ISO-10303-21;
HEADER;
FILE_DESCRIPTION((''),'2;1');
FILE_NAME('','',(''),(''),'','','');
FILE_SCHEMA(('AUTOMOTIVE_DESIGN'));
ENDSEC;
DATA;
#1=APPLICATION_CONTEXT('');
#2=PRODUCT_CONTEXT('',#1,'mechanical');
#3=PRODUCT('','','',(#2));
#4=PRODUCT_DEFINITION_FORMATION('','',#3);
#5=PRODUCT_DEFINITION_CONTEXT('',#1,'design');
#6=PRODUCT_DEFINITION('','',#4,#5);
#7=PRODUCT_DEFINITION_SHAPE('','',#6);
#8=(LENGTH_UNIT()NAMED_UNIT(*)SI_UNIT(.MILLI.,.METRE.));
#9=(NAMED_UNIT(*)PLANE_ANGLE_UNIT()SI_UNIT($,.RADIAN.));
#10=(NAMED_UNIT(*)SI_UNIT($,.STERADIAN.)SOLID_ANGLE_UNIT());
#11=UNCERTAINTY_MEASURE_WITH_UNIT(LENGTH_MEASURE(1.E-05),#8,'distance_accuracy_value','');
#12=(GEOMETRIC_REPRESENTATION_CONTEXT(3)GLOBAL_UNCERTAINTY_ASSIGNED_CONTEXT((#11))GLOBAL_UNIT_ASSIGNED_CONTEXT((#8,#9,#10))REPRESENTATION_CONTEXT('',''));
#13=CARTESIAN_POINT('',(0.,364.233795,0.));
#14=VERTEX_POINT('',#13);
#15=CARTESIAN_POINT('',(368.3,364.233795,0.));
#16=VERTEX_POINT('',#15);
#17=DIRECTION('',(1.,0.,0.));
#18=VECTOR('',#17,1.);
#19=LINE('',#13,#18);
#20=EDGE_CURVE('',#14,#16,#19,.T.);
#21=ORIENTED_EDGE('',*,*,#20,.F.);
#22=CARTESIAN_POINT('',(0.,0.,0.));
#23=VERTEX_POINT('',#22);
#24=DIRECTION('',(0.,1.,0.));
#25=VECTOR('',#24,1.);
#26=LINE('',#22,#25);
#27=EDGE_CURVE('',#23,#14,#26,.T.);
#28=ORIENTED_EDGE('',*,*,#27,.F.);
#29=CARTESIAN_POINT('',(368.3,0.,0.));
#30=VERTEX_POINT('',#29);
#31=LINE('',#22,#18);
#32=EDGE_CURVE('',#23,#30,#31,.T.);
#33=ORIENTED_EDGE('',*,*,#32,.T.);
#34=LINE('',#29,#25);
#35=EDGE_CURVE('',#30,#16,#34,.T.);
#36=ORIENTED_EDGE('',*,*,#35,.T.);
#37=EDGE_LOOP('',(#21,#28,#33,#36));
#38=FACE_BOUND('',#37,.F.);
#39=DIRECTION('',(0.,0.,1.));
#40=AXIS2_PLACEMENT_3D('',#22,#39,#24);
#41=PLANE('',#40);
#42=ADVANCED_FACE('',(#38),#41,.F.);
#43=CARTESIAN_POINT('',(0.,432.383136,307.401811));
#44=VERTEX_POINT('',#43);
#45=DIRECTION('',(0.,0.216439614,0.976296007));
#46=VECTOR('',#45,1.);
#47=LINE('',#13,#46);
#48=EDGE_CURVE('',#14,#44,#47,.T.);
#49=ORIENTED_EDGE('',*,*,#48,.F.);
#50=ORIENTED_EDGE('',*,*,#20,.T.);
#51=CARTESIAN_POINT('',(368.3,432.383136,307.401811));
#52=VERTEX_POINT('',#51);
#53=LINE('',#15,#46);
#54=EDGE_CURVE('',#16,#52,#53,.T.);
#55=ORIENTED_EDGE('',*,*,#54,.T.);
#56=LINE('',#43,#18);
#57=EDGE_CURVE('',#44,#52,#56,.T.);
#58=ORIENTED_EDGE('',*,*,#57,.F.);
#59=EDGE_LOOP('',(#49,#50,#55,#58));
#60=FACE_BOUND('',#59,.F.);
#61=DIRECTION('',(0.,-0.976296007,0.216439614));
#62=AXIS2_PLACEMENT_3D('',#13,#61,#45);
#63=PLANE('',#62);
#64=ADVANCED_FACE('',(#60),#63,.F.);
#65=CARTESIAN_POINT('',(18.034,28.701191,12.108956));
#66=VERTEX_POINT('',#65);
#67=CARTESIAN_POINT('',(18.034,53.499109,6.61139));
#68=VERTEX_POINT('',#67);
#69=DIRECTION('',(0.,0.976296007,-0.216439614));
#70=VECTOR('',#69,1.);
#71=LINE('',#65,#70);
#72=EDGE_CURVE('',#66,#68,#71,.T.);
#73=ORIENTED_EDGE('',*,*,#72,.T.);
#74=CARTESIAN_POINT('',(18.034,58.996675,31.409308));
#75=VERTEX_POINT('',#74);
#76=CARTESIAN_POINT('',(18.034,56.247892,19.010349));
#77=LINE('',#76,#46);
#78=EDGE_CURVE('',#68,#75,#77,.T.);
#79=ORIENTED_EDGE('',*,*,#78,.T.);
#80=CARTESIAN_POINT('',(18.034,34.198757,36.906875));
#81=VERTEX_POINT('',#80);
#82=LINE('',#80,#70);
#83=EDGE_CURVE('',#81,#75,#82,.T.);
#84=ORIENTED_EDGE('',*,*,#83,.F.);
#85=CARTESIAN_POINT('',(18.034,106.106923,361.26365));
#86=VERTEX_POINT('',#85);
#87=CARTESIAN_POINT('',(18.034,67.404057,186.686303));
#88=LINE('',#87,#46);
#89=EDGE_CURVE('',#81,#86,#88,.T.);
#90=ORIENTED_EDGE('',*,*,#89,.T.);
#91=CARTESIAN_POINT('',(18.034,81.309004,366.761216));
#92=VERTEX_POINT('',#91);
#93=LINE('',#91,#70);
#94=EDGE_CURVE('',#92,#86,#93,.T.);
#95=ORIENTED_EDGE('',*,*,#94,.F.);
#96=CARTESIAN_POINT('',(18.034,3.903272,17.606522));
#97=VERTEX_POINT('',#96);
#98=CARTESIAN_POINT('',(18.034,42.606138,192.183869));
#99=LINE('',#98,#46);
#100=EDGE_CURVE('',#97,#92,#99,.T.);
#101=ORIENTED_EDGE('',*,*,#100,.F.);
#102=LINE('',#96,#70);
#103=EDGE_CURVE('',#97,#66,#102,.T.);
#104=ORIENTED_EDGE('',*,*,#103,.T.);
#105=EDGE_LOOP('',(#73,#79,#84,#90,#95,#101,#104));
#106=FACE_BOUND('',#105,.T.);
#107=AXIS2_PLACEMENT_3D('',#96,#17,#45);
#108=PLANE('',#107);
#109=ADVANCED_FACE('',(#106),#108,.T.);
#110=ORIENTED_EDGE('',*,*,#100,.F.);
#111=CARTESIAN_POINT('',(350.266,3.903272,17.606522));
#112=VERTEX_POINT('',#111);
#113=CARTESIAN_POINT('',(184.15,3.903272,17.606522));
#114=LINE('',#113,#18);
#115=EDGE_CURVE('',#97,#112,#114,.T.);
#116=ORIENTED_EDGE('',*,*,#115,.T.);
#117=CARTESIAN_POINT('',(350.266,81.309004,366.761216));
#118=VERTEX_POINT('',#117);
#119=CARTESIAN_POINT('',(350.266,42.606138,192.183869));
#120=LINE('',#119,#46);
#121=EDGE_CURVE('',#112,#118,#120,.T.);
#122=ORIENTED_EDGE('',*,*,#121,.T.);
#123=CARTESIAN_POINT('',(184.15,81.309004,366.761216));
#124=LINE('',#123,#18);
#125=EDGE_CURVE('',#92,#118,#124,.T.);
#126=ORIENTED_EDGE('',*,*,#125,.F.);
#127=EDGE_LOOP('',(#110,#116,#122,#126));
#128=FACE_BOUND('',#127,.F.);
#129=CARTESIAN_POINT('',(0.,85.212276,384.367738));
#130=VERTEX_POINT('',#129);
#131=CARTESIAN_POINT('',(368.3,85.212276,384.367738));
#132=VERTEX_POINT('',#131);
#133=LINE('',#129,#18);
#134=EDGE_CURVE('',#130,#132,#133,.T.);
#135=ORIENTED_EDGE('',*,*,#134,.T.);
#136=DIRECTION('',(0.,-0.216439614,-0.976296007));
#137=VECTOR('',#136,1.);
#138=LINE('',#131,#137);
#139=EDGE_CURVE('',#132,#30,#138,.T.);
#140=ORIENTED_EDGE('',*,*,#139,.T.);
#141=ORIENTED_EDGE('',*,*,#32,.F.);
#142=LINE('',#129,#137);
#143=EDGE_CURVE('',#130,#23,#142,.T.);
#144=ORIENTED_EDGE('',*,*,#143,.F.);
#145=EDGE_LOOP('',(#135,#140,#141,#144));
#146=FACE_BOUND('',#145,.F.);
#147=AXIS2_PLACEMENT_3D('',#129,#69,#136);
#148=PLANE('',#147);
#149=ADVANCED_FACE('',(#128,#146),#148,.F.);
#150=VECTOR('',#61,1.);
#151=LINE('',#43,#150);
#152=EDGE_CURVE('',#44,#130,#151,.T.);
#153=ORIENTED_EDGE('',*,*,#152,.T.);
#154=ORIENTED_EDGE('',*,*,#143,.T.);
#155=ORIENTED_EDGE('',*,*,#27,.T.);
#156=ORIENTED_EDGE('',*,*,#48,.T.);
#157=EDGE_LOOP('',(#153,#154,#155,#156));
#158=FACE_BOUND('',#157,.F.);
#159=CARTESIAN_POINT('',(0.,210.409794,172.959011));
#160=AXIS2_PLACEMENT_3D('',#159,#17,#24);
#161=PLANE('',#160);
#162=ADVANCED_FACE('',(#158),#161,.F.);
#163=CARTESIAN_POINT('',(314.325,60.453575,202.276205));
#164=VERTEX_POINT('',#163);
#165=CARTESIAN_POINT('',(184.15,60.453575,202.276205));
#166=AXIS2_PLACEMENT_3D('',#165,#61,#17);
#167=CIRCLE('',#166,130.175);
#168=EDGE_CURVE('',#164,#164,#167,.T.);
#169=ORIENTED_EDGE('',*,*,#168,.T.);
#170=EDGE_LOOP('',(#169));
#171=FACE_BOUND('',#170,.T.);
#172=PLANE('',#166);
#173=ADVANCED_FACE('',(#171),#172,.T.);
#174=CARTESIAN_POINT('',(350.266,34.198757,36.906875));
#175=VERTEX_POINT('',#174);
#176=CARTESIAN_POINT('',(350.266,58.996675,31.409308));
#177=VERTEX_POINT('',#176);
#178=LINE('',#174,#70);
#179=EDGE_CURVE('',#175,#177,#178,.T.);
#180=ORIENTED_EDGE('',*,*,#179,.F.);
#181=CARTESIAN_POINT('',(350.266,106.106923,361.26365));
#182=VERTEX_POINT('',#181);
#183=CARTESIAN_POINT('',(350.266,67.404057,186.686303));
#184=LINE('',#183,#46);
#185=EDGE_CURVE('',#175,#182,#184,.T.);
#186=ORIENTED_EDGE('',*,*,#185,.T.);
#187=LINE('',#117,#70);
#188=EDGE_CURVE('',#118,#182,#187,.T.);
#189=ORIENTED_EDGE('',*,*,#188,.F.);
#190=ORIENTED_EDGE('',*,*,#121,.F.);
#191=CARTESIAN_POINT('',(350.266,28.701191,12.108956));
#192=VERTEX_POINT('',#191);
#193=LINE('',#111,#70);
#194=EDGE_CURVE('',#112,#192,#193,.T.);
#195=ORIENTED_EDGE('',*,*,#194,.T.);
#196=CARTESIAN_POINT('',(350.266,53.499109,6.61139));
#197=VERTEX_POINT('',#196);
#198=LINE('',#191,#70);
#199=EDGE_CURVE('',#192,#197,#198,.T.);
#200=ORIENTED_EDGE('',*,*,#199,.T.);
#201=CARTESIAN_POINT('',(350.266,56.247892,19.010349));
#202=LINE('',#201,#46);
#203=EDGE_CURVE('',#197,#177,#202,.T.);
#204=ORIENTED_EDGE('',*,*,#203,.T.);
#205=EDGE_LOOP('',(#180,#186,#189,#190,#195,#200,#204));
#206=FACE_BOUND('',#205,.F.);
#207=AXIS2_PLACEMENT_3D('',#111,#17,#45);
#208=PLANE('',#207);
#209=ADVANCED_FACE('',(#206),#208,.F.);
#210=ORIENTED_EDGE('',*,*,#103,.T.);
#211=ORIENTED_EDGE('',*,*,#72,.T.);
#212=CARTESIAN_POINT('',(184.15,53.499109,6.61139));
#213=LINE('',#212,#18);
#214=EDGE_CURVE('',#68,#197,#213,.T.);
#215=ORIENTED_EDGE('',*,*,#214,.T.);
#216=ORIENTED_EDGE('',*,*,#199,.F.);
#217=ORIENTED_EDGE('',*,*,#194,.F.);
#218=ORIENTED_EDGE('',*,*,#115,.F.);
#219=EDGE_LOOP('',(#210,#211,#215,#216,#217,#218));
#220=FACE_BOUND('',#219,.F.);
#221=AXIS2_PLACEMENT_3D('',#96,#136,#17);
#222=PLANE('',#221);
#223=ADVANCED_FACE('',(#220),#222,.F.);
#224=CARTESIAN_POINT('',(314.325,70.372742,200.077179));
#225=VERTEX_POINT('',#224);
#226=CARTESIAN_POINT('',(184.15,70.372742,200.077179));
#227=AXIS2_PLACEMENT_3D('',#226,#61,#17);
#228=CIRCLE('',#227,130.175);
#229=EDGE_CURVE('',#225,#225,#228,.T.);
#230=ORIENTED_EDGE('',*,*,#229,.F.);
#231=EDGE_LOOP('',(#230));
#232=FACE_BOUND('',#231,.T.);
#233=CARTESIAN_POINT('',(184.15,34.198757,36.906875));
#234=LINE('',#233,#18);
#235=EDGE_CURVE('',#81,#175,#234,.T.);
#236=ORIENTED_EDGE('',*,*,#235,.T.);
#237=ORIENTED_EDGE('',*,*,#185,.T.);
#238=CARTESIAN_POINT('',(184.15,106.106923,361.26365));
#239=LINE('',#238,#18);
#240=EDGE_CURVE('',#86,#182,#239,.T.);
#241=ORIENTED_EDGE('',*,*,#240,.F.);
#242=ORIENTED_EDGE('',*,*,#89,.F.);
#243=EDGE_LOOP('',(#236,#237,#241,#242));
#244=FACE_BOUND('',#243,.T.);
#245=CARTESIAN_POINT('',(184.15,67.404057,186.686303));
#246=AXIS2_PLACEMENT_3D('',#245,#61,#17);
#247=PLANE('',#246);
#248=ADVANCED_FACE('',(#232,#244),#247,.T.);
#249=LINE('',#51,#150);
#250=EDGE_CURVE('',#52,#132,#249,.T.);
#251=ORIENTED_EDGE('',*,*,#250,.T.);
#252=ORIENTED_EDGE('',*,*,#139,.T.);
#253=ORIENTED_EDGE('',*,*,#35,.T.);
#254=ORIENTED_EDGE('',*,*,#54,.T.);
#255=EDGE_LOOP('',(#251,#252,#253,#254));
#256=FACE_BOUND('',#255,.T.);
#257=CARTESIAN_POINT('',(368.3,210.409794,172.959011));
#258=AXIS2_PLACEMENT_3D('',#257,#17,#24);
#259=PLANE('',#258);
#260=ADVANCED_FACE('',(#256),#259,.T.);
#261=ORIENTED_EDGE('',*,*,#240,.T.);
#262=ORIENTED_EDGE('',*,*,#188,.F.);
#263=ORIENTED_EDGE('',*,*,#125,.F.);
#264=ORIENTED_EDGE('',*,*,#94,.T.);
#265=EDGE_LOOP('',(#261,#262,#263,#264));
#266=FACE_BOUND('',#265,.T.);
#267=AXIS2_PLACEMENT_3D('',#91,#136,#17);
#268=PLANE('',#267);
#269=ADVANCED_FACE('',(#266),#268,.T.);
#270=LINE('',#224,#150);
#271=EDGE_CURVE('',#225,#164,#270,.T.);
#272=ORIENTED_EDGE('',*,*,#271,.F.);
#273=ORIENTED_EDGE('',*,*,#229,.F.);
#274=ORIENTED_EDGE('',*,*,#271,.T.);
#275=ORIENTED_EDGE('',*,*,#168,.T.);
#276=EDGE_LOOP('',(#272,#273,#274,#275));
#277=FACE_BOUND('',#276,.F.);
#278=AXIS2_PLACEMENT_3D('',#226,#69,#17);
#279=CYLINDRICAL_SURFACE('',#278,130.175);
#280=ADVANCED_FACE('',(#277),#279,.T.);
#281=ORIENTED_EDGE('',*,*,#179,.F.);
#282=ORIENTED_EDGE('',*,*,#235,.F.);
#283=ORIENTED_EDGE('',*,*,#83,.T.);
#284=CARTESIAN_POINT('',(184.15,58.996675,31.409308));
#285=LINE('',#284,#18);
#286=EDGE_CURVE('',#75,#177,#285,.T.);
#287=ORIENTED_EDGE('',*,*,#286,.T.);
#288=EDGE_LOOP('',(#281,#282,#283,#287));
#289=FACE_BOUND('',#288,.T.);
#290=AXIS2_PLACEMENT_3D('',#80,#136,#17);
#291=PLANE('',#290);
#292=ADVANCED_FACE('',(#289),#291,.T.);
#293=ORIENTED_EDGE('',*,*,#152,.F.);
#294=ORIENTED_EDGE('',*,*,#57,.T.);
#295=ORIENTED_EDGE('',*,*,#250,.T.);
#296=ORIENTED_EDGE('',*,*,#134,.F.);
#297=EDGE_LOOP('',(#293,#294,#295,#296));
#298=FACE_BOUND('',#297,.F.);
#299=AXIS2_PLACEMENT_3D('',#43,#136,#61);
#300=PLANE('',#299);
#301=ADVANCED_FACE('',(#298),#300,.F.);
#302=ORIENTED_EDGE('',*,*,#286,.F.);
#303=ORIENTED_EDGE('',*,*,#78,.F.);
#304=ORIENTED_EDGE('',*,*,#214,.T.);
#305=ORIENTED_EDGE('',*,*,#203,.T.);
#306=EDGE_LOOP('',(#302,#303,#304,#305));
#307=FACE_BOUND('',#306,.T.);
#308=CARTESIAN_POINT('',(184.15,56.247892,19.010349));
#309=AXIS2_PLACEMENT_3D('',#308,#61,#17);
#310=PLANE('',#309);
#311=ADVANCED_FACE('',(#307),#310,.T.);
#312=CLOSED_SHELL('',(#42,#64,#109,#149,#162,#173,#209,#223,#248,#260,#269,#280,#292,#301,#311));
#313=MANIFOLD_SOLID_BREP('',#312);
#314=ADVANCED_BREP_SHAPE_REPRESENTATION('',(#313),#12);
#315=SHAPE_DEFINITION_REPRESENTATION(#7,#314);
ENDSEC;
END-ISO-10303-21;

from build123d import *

# Parameters (mm, degrees)
F1_DEPTH = 368.3
F2_W     = 332.232
F2_H     = 357.632
F3_DEPTH = 25.4
F4_R     = 130.175
F5_DEPTH = 10.16
F6_W     = 332.232
F6_H     = 25.4
F7_DEPTH = 25.4


with BuildPart() as f1:
    # F0 (on Right) → F1 (new body)
    with BuildSketch(Plane.YZ):
        Polygon((85.2122760074, 384.3677380031), (0, 0), (364.2337952902, 0), (432.3831361393, 307.4018112867), align=None)
    extrude(amount=F1_DEPTH)

    # F2 (on face) → F3 (cut)
    with BuildSketch(Plane(origin=(0, 0, 0), x_dir=(1, 0, 0), z_dir=(0, -0.9762960071, 0.2164396139))):
        with Locations((184.15, 196.85)):
            Rectangle(F2_W, F2_H)
    extrude(amount=-F3_DEPTH, mode=Mode.SUBTRACT)

    # F4 (on face) → F5 (join)
    with BuildSketch(Plane(origin=(0, 24.7979185808, -5.497566194), x_dir=(1, 0, 0), z_dir=(0, -0.9762960071, 0.2164396139))):
        with Locations((184.15, 210.566)):
            Circle(F4_R)
    extrude(amount=F5_DEPTH)

    # F6 (on face) → F7 (cut)
    with BuildSketch(Plane(origin=(0, 24.7979185808, -5.497566194), x_dir=(1, 0, 0), z_dir=(0, -0.9762960071, 0.2164396139))):
        with Locations((184.15, 30.734)):
            Rectangle(F6_W, F6_H)
    extrude(amount=-F7_DEPTH, mode=Mode.SUBTRACT)


solid = f1.part
